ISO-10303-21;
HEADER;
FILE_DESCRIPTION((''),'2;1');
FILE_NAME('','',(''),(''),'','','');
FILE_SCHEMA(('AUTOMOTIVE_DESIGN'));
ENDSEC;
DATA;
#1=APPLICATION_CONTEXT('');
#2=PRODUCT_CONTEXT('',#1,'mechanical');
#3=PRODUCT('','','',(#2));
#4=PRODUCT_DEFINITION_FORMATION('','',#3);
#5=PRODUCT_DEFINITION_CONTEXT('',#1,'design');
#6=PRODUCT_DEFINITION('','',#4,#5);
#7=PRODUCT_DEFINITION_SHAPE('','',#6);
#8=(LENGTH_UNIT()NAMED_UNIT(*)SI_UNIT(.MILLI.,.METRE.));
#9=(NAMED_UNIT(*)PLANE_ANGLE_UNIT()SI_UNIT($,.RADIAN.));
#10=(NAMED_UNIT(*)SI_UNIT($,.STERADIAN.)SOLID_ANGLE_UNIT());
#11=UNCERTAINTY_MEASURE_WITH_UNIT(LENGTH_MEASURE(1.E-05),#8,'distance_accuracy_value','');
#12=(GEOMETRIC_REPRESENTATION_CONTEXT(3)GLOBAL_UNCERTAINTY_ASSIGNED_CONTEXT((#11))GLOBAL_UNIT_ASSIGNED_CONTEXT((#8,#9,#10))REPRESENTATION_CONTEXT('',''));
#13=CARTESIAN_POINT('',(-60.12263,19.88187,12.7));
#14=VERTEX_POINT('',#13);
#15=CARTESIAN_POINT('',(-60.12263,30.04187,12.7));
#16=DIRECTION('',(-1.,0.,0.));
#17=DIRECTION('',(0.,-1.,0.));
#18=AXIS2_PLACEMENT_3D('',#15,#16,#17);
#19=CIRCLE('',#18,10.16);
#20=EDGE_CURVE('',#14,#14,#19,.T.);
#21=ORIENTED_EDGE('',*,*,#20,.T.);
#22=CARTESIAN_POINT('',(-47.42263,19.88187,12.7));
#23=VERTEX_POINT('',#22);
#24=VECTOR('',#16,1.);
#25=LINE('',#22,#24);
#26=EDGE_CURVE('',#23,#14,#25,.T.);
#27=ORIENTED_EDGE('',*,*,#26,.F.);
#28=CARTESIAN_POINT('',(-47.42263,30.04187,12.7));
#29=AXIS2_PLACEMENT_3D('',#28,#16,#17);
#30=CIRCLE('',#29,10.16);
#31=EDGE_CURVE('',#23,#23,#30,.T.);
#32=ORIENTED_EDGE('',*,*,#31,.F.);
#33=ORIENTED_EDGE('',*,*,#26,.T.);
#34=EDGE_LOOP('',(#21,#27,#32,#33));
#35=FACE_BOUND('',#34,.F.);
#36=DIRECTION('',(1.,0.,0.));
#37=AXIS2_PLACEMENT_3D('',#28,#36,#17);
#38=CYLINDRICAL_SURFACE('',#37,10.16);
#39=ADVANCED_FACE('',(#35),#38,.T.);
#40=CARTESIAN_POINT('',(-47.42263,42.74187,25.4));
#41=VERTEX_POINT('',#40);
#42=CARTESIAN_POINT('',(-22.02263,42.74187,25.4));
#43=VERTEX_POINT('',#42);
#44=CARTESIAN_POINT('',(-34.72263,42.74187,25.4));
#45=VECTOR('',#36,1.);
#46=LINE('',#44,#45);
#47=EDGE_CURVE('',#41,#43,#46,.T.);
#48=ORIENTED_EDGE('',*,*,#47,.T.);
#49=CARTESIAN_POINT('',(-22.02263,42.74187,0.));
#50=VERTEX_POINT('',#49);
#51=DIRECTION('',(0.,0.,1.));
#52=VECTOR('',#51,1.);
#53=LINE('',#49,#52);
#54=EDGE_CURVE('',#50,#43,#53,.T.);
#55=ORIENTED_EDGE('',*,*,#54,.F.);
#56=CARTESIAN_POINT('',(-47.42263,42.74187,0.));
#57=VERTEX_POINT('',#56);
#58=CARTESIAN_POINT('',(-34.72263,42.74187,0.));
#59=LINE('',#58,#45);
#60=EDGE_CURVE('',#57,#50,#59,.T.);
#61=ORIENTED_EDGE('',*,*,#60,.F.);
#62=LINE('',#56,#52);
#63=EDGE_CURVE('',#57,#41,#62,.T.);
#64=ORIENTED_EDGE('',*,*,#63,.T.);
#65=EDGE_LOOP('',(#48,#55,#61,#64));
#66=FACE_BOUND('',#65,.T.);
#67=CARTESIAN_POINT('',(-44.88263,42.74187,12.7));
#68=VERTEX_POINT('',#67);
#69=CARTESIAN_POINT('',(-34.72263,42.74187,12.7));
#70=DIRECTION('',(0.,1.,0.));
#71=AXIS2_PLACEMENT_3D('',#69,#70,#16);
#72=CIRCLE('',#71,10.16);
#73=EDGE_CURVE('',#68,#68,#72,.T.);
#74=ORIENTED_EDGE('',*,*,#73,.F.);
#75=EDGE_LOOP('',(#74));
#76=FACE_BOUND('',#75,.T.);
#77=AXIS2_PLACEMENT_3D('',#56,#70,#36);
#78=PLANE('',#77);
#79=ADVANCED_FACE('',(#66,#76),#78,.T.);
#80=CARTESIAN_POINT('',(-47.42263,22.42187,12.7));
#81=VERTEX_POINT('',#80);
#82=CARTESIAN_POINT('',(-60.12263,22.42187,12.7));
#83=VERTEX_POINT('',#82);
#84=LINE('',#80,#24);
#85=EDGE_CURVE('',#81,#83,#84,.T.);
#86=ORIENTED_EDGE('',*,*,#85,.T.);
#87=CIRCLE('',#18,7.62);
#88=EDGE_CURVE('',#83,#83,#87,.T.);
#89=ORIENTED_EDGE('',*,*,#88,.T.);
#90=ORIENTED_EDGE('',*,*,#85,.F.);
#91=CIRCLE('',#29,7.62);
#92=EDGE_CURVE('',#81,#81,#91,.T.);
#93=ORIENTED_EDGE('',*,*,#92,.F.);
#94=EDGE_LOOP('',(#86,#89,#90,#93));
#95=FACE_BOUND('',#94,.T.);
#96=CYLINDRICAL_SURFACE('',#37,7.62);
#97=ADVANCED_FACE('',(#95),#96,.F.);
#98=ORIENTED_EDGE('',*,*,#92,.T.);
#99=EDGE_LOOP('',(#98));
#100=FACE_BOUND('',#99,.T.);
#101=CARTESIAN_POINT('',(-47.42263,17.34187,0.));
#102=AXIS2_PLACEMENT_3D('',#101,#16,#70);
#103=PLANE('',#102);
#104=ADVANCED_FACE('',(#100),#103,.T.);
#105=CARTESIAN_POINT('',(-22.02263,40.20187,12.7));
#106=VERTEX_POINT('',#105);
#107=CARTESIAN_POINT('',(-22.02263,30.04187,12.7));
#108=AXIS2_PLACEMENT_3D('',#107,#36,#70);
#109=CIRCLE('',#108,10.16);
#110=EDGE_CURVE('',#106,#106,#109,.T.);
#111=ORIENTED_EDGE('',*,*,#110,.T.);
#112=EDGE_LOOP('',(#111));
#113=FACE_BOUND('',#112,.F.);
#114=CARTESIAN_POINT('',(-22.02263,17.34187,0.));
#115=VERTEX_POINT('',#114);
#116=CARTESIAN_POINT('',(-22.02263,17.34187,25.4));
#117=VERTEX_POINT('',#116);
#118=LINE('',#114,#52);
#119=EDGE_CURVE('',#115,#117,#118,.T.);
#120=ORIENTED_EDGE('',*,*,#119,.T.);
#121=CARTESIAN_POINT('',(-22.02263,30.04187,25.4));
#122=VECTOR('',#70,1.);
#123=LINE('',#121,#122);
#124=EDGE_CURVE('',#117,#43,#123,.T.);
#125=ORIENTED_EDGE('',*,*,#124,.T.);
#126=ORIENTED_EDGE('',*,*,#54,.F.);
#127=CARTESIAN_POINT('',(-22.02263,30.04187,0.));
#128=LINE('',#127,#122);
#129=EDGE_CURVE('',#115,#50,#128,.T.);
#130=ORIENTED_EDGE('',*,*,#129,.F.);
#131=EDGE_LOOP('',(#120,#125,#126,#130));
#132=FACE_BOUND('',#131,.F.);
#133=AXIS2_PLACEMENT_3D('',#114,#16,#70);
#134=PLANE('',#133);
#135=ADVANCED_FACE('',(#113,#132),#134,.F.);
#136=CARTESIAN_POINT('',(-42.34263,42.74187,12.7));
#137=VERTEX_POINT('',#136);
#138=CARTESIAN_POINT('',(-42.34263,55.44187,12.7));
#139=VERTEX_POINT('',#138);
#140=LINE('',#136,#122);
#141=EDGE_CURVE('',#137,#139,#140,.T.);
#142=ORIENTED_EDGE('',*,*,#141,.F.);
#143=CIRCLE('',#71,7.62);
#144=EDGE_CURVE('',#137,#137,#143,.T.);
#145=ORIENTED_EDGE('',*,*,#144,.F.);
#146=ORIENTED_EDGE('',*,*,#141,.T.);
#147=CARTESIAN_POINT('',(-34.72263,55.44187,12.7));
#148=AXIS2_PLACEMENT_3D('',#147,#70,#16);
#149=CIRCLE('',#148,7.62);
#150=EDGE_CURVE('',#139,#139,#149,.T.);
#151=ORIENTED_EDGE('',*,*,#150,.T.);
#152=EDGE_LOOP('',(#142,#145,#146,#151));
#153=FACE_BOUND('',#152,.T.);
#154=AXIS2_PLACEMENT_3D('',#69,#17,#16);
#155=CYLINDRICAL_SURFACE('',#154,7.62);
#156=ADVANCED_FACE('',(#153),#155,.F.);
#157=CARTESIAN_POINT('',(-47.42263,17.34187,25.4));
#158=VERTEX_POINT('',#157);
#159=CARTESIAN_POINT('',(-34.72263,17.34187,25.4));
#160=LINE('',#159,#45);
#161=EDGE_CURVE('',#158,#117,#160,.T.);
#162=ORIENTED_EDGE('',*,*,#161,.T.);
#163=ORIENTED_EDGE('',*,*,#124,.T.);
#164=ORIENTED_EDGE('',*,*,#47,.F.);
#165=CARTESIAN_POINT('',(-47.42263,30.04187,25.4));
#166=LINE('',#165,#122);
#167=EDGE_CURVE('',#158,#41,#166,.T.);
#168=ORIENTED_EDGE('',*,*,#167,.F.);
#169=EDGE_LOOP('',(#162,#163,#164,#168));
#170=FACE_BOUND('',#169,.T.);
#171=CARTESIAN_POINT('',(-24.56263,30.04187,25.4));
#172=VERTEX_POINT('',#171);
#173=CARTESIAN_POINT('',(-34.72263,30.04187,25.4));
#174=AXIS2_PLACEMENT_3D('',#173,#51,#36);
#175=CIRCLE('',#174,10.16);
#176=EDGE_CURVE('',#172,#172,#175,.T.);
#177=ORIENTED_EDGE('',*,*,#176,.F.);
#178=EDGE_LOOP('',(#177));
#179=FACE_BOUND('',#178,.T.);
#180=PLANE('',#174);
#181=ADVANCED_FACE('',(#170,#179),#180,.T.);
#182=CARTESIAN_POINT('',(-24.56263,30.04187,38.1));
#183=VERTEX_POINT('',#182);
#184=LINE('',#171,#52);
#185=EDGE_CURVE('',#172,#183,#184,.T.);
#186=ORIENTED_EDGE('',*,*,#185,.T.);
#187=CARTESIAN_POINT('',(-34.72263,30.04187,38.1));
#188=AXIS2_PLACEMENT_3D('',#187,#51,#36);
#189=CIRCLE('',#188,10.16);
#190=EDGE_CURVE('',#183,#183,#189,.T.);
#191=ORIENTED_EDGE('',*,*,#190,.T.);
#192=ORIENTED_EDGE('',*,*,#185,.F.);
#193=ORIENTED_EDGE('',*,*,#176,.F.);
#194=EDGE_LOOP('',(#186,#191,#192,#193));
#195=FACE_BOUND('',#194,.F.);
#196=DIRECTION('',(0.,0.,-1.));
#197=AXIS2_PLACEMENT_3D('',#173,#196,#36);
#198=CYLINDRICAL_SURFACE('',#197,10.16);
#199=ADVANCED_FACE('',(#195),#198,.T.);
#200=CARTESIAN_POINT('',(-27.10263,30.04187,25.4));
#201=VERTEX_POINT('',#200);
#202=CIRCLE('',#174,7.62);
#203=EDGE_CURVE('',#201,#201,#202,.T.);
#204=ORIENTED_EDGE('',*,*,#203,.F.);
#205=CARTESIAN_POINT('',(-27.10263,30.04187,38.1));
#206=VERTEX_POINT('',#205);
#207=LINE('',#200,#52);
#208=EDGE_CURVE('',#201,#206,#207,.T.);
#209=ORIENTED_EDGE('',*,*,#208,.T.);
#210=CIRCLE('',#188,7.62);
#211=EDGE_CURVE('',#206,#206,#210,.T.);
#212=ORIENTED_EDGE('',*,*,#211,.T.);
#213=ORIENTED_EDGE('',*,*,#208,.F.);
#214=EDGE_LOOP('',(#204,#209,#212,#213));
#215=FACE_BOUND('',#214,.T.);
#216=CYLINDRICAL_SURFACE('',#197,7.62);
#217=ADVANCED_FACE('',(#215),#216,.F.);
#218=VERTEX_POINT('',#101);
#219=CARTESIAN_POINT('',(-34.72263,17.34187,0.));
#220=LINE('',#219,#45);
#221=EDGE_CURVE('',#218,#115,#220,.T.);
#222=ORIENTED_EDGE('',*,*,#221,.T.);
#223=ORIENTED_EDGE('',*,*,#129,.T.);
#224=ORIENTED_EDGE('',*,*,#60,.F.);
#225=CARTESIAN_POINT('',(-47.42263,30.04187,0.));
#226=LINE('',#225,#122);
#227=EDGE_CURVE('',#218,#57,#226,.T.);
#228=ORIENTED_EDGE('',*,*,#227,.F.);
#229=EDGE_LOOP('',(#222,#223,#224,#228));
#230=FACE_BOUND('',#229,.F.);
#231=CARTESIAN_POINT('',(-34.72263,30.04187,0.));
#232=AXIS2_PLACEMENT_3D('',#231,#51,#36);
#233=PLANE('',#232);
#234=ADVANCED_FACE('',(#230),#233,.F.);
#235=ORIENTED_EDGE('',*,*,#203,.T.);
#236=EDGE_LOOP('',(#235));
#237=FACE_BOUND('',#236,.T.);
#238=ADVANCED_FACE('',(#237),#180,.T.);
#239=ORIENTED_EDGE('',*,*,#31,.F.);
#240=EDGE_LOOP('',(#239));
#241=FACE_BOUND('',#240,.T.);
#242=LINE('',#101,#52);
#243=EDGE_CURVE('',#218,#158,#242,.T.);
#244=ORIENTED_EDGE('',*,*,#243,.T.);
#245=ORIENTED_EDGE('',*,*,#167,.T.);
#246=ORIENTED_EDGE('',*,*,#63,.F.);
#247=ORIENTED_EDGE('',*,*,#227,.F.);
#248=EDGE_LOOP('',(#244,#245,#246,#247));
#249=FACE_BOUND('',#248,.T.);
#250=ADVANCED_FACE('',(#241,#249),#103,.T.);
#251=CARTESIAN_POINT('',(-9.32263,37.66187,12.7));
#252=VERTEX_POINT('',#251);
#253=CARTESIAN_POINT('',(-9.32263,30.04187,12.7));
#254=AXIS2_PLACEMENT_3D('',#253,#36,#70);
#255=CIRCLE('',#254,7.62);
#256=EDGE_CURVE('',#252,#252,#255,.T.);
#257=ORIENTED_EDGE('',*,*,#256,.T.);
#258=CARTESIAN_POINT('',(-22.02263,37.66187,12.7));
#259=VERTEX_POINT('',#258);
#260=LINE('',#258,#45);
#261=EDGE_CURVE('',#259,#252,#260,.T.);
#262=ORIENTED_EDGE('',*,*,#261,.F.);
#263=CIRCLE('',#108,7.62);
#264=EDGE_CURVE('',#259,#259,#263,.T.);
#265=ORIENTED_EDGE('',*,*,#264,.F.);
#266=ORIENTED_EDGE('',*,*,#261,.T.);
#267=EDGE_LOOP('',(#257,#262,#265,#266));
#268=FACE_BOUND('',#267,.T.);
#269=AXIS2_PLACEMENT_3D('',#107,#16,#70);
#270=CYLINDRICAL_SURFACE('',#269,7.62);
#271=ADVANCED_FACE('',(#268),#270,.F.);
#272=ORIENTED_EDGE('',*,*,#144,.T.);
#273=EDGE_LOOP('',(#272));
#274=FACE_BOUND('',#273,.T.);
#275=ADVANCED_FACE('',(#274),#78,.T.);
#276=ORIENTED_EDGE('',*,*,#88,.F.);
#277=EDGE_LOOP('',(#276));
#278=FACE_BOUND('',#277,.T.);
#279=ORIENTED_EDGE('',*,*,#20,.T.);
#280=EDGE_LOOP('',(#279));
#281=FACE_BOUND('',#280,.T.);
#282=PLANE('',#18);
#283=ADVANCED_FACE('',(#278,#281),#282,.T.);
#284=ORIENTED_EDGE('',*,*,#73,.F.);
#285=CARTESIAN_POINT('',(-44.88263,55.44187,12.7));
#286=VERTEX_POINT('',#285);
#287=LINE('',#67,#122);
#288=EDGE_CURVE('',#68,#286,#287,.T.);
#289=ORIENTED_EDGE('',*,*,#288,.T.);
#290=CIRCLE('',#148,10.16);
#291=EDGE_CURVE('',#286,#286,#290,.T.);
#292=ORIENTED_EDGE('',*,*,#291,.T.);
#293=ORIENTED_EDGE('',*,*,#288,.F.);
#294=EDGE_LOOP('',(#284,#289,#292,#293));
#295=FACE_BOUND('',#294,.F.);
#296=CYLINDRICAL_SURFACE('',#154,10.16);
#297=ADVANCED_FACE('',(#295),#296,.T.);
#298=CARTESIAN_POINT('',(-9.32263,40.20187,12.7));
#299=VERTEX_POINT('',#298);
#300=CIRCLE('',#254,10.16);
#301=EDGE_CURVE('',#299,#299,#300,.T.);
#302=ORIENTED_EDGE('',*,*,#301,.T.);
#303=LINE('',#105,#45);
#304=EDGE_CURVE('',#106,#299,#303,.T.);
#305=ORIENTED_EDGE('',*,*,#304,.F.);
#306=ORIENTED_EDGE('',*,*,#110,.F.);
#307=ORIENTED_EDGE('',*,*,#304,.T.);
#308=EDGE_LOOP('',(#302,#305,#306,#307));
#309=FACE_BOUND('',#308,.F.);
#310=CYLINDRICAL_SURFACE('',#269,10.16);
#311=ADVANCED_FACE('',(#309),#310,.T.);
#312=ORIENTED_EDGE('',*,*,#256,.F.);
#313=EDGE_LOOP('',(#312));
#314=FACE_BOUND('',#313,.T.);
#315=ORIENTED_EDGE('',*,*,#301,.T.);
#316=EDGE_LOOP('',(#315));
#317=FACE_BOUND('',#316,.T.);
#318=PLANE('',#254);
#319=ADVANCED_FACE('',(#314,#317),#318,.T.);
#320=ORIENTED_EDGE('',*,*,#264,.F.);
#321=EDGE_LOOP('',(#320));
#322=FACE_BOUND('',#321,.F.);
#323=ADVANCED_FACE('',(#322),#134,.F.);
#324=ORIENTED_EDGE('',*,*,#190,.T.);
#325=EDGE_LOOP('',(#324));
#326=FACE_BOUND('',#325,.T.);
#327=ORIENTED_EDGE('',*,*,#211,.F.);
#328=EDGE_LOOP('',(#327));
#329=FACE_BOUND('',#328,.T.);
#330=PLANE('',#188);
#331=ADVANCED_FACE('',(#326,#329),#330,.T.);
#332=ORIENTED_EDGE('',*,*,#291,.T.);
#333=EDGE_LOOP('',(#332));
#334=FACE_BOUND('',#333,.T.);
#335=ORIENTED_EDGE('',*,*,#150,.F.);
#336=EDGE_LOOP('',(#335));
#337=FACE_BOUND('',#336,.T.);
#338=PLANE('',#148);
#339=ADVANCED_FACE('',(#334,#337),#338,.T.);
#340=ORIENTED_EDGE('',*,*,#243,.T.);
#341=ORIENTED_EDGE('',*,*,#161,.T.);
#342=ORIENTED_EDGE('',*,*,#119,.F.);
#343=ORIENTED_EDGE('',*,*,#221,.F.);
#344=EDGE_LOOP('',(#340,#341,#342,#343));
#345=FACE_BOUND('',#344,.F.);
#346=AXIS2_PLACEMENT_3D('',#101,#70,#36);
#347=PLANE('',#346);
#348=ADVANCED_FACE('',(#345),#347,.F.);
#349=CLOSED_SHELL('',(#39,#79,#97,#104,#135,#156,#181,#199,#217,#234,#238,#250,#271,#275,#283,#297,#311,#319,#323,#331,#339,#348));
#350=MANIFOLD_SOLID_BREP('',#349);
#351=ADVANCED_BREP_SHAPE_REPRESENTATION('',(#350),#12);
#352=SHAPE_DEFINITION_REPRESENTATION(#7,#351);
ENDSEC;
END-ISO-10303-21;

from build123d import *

# Parameters (mm, degrees)
F0_W     = 25.4
F0_H     = 25.4
F1_DEPTH = 25.4
F3_R     = 10.16
F3_R_2   = 7.62
F4_DEPTH = 12.7
F5_R     = 10.16
F5_R_2   = 7.62
F7_DEPTH = 12.7
F6_R     = 10.16
F6_R_2   = 7.62
F8_DEPTH = 12.7
F2_R     = 10.16
F2_R_2   = 7.62
F9_DEPTH = 12.7


with BuildPart() as f1:
    # F0 (on Top) → F1 (new body)
    with BuildSketch(Plane.XY):
        with Locations((-34.72263, 30.04187)):
            Rectangle(F0_W, F0_H)
    extrude(amount=F1_DEPTH)

    # F3 (on face) → F4 (join)
    with BuildSketch(Plane(origin=(0, 42.74187, 0), x_dir=(-1, 0, 0), z_dir=(0, 1, 0))):
        with Locations((34.72263, 12.7)):
            Circle(F3_R)
        with Locations((34.72263, 12.7)):
            Circle(F3_R_2, mode=Mode.SUBTRACT)
    extrude(amount=F4_DEPTH)

    # F5 (on face) → F7 (join)
    with BuildSketch(Plane.XY.offset(25.4)):
        with Locations((-34.72263, 30.04187)):
            Circle(F5_R)
        with Locations((-34.72263, 30.04187)):
            Circle(F5_R_2, mode=Mode.SUBTRACT)
    extrude(amount=F7_DEPTH)

    # F6 (on face) → F8 (join)
    with BuildSketch(Plane(origin=(-47.42263, 0, 0), x_dir=(0, -1, 0), z_dir=(-1, 0, 0))):
        with Locations((-30.04187, 12.7)):
            Circle(F6_R)
        with Locations((-30.04187, 12.7)):
            Circle(F6_R_2, mode=Mode.SUBTRACT)
    extrude(amount=F8_DEPTH)

    # F2 (on face) → F9 (join)
    with BuildSketch(Plane.YZ.offset(-22.02263)):
        with Locations((30.04187, 12.7)):
            Circle(F2_R)
        with Locations((30.04187, 12.7)):
            Circle(F2_R_2, mode=Mode.SUBTRACT)
    extrude(amount=F9_DEPTH)


solid = f1.part
